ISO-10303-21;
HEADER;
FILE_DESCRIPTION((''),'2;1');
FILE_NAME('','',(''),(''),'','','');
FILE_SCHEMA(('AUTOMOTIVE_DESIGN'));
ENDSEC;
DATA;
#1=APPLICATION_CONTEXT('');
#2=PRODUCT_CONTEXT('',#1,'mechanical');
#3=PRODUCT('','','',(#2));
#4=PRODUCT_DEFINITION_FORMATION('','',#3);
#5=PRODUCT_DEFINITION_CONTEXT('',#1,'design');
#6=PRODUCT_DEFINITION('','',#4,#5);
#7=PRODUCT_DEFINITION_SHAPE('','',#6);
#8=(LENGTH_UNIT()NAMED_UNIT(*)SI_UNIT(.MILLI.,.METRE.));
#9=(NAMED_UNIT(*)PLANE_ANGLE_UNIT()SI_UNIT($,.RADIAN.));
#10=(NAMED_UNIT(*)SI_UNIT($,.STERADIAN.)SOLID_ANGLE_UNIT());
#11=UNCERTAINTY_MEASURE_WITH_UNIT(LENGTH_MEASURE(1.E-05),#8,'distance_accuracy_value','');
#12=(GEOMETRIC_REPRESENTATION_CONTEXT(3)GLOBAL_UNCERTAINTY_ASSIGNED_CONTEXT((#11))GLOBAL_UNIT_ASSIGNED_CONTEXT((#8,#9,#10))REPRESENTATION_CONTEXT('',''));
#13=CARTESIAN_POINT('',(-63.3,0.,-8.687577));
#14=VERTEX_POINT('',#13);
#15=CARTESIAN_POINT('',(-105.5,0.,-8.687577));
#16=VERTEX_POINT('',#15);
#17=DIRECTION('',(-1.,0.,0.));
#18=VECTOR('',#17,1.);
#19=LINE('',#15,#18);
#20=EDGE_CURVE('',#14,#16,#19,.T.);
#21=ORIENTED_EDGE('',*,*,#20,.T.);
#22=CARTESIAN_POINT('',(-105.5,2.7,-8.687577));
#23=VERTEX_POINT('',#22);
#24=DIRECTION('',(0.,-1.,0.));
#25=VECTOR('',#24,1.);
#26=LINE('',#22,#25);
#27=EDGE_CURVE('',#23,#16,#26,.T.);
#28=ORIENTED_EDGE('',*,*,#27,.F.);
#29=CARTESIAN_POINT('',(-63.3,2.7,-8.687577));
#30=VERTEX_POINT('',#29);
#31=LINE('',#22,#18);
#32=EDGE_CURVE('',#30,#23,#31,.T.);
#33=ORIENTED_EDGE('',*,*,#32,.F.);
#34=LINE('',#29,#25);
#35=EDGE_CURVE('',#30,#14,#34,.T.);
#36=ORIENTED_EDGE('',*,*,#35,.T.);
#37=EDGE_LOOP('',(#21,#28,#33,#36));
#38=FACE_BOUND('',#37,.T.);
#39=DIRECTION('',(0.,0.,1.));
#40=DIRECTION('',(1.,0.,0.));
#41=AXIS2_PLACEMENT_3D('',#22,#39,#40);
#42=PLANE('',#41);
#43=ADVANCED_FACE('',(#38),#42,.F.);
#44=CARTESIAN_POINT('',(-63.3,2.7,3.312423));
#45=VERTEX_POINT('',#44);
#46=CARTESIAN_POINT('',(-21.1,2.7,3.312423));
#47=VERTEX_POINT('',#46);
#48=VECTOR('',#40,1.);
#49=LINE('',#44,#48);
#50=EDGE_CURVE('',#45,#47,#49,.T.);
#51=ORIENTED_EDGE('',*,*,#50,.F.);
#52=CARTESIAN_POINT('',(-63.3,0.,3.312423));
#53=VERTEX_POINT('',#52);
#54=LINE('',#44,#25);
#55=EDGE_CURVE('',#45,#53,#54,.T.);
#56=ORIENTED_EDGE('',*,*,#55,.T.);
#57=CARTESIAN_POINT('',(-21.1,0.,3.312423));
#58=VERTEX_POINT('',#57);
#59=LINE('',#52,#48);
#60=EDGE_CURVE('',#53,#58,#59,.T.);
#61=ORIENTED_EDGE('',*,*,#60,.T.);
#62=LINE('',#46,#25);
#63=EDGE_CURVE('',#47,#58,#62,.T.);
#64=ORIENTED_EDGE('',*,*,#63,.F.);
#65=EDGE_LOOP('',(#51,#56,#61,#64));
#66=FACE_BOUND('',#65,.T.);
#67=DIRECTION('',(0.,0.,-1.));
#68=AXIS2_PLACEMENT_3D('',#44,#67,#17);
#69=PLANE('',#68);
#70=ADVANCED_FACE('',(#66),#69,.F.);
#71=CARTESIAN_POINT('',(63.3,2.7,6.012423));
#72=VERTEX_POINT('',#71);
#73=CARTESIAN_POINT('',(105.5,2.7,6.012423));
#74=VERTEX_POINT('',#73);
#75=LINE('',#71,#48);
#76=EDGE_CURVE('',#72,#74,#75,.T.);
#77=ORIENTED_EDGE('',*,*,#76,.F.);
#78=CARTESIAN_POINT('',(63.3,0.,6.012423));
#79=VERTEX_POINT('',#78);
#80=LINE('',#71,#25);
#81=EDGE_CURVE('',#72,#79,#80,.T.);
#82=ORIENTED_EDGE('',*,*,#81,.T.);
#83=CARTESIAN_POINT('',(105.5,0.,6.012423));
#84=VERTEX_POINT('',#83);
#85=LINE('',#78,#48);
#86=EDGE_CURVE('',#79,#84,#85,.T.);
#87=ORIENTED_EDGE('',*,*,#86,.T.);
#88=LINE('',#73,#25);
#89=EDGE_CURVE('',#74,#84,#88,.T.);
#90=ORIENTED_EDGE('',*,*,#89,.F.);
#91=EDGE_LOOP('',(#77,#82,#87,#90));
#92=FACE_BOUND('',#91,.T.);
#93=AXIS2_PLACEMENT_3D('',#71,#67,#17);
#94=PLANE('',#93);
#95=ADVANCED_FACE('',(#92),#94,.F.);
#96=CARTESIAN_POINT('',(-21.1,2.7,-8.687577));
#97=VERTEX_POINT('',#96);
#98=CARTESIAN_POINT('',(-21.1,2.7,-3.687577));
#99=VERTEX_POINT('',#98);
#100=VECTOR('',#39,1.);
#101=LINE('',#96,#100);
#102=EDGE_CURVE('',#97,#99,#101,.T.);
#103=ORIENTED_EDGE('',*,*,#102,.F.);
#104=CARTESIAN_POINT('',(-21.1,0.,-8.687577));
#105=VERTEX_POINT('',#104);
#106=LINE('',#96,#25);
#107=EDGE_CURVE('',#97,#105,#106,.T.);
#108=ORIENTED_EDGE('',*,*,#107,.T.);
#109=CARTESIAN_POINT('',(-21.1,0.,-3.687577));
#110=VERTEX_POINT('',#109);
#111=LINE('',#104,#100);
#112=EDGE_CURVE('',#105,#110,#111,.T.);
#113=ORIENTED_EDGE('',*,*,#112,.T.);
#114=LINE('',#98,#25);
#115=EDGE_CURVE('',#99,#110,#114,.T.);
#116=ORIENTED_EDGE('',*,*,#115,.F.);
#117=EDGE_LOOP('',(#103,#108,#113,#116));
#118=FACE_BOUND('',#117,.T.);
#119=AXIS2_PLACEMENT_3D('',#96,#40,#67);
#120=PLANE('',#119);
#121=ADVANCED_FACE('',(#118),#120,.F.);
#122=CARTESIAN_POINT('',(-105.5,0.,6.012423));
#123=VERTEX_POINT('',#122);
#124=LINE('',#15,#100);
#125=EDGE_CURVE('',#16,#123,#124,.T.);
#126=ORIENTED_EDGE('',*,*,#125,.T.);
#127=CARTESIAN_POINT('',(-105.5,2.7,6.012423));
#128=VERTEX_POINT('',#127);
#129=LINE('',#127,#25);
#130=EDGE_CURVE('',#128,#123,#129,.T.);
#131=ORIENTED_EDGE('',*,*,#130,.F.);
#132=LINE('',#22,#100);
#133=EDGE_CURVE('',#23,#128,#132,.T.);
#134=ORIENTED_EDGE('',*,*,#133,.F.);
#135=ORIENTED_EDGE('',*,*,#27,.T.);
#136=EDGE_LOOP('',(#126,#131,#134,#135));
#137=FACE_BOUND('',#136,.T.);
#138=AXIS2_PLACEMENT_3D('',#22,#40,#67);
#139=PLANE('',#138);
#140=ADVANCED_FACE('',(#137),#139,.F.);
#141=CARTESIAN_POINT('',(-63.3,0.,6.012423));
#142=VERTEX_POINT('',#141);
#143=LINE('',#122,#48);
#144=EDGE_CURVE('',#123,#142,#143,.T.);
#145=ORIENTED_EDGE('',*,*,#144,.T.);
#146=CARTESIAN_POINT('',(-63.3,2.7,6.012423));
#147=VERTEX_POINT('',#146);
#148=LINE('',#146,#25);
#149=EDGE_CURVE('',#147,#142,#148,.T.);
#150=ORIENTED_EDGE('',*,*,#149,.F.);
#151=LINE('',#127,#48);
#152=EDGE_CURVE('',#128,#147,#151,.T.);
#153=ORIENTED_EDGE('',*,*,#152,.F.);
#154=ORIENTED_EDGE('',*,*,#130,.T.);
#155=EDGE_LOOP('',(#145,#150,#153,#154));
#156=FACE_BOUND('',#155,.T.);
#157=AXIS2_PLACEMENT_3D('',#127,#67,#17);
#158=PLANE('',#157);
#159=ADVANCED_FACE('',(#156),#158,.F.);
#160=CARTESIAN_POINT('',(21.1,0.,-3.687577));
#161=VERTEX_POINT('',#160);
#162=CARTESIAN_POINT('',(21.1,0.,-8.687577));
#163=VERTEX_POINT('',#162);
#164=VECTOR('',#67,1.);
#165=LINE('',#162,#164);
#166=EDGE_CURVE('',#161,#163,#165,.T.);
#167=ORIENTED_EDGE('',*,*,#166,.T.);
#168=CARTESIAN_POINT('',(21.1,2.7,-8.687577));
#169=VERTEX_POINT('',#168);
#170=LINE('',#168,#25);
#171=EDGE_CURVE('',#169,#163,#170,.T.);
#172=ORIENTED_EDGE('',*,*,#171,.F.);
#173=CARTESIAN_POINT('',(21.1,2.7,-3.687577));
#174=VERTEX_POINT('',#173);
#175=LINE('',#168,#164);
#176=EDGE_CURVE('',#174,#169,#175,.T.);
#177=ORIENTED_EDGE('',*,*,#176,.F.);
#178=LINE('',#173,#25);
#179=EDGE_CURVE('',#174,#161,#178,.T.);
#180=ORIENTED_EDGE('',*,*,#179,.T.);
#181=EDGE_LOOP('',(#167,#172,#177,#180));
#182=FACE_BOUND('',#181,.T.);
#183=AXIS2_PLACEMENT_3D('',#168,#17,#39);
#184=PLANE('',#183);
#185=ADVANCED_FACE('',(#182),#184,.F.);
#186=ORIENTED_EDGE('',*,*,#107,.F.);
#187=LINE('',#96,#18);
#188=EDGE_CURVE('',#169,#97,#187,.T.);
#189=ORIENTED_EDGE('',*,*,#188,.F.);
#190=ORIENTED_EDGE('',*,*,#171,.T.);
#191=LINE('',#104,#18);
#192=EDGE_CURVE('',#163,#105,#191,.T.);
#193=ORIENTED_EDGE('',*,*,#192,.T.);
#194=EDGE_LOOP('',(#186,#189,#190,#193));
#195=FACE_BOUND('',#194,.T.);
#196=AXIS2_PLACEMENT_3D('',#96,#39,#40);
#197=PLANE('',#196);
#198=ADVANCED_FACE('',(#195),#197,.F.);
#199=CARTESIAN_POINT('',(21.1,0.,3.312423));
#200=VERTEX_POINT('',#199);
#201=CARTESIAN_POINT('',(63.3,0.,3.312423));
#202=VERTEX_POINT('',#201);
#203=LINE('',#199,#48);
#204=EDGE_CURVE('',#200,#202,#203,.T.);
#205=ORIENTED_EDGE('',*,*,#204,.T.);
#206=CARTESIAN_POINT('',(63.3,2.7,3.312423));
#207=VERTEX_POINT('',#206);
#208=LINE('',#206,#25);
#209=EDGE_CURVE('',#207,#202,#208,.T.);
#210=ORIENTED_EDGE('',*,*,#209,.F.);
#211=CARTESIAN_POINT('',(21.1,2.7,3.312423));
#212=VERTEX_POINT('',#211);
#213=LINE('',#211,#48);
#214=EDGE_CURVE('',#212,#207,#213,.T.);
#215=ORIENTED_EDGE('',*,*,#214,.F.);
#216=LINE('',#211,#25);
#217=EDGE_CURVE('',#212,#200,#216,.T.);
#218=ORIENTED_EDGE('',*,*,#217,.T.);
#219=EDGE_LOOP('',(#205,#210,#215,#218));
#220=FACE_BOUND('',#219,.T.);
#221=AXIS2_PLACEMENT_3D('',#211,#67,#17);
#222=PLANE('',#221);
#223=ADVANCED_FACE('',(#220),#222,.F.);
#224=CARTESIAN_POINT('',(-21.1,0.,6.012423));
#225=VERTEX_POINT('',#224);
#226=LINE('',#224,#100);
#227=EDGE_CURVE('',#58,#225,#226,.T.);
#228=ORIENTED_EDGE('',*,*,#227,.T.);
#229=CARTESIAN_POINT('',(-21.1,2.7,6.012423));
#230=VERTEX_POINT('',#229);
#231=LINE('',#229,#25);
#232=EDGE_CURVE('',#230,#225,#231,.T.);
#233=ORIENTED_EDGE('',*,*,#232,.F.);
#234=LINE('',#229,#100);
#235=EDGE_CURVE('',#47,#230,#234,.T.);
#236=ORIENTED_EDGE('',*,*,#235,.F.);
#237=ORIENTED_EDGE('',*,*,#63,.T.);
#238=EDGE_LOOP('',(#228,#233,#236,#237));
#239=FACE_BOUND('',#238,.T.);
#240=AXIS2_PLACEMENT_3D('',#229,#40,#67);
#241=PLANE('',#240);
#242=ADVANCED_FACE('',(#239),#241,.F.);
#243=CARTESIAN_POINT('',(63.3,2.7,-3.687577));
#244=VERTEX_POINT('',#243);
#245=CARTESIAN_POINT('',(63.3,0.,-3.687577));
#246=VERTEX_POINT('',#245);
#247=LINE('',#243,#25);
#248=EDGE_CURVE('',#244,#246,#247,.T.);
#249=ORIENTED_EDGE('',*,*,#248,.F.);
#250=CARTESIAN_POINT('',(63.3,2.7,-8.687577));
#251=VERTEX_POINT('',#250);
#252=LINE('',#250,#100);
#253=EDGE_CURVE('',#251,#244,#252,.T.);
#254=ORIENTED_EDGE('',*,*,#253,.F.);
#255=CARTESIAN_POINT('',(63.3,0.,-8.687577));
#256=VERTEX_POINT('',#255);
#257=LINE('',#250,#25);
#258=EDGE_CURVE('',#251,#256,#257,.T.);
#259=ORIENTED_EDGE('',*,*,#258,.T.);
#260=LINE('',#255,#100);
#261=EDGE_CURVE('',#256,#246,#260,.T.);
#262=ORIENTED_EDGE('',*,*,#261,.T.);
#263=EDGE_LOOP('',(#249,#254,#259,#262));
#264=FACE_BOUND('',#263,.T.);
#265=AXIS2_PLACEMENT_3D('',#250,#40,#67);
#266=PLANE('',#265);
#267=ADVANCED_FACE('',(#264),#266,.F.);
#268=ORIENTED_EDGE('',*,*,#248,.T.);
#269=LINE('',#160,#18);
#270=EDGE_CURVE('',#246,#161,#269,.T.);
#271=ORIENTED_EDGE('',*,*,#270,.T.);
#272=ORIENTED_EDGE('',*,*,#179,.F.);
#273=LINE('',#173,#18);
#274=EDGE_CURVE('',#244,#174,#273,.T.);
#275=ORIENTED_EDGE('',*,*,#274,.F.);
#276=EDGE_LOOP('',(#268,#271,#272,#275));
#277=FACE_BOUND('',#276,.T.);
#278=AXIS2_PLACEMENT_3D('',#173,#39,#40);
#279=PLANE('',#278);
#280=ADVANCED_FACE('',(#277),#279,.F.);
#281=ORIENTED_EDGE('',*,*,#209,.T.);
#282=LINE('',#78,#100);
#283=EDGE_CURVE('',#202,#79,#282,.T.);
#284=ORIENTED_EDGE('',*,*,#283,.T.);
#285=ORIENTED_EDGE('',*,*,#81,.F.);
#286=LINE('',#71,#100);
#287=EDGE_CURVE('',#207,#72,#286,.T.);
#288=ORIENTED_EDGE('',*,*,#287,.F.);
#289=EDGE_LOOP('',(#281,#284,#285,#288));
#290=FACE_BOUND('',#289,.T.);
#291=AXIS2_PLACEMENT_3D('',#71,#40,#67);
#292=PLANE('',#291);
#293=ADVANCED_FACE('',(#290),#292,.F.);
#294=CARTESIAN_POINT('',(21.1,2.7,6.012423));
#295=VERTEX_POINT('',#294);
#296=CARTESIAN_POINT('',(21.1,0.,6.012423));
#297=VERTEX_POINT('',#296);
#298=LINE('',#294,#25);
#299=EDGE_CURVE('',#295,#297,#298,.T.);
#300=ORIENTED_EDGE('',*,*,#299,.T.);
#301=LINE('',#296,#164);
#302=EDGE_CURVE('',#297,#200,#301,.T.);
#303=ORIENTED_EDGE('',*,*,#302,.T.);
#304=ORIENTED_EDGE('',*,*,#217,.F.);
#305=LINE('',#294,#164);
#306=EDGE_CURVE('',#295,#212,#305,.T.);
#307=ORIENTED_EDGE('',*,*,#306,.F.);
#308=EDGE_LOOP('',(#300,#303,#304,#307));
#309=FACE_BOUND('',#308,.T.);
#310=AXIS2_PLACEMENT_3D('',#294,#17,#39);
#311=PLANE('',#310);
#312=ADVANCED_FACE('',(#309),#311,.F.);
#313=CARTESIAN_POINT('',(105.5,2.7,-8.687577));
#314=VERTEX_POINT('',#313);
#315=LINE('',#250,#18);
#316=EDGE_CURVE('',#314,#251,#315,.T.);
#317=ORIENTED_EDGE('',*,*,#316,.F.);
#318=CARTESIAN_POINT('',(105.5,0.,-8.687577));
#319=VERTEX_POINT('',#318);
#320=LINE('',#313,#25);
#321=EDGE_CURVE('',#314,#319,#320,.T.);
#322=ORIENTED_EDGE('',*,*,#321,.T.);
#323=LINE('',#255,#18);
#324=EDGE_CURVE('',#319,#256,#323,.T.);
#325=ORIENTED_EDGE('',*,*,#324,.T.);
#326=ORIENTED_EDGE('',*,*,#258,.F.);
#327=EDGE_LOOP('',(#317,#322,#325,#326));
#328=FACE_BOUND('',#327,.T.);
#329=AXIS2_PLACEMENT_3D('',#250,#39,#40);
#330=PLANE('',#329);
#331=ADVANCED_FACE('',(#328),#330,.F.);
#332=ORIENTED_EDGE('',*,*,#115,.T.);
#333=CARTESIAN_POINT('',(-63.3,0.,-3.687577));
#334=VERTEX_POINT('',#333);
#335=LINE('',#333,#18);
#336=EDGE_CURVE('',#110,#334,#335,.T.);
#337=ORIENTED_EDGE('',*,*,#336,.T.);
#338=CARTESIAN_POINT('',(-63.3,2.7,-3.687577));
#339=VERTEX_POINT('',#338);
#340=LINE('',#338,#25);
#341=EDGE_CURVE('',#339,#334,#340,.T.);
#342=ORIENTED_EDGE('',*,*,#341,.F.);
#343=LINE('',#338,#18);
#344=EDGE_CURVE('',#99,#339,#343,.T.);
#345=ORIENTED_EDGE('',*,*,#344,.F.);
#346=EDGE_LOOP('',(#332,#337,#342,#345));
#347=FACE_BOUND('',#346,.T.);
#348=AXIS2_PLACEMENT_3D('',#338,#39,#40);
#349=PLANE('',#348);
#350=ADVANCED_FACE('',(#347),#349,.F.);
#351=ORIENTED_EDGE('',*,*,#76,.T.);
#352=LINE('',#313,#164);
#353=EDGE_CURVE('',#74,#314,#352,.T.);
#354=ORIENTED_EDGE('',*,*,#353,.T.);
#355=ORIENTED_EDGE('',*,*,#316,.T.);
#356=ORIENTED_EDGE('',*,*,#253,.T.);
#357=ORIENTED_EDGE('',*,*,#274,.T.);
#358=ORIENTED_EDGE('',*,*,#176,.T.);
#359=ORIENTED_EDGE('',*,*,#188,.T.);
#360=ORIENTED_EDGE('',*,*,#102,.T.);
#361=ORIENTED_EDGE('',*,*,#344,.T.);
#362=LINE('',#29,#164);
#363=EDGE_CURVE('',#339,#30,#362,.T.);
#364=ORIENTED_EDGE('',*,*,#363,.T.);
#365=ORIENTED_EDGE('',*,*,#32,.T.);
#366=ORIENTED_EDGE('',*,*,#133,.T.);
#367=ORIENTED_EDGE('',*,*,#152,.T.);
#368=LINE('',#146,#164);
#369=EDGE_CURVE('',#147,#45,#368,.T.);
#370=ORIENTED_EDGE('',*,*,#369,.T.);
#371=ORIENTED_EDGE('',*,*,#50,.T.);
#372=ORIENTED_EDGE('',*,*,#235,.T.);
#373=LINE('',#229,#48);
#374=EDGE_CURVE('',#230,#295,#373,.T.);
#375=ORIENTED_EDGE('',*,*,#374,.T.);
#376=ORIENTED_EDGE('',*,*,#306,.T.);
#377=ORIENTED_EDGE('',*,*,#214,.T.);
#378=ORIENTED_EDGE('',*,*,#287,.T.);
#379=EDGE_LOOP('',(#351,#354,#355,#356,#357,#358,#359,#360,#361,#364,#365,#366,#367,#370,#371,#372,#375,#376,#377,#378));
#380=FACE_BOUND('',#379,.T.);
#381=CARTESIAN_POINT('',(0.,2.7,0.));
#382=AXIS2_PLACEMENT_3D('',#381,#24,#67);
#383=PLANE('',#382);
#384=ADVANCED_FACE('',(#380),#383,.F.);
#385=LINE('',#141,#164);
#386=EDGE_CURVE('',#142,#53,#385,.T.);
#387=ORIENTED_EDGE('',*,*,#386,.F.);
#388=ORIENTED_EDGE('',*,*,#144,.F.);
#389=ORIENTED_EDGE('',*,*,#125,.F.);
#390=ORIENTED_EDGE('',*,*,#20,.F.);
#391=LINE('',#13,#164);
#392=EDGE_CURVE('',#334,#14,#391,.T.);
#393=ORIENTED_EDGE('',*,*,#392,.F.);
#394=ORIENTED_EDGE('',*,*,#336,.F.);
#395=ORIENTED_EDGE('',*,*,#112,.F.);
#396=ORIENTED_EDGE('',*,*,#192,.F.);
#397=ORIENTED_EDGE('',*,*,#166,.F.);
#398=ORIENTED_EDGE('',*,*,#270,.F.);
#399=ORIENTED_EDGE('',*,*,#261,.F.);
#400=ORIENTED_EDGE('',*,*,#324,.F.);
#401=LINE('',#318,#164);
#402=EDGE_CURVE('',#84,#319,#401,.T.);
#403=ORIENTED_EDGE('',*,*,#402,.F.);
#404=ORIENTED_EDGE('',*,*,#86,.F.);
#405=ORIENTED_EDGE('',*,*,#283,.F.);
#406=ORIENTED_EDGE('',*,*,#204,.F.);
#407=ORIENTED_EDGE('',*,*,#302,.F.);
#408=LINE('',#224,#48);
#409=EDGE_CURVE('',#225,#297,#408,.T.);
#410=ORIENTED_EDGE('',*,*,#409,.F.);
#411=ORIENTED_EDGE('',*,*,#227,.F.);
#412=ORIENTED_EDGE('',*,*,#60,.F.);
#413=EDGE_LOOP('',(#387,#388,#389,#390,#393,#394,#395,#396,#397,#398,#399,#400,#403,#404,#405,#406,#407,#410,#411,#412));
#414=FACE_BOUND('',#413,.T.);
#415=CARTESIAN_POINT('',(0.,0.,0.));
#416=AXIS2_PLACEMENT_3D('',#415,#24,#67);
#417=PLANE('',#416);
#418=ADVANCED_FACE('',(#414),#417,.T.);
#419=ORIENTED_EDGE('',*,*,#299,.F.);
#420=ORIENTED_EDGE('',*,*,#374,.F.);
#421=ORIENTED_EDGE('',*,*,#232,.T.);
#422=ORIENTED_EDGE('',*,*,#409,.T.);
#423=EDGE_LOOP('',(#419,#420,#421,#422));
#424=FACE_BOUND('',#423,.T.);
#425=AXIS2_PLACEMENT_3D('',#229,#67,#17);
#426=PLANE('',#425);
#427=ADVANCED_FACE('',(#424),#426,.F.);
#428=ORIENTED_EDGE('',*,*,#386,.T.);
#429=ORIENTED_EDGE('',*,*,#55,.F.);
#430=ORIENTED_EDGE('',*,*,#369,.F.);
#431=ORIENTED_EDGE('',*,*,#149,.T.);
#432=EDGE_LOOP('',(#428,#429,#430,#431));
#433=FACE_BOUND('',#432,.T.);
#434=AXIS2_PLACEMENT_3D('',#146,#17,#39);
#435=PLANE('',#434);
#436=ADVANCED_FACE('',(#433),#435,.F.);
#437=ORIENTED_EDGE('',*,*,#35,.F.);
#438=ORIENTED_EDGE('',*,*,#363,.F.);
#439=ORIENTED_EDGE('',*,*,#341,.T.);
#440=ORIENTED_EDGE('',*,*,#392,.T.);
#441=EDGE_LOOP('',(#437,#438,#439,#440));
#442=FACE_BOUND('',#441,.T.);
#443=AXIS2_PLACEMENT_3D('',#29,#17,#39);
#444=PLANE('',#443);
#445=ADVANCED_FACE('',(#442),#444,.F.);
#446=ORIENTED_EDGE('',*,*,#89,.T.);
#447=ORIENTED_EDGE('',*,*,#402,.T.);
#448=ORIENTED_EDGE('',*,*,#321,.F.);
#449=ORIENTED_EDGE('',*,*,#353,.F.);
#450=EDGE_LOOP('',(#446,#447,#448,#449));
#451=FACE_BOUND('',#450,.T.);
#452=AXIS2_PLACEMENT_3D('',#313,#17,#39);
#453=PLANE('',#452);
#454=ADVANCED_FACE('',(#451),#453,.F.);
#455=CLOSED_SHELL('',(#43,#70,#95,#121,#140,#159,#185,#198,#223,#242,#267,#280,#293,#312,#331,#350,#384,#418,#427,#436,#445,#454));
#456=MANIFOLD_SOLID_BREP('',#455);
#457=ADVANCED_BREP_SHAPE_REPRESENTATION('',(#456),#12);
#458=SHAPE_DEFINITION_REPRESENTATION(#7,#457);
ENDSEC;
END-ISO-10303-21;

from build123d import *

# Parameters (mm, degrees)
BOSS_EXTRUDE1_DEPTH = 2.7


with BuildPart() as part:
    # Sketch1 → Boss-Extrude1 (new body)
    with BuildSketch(Plane(origin=(0, 0, 0), x_dir=(1, 0, 0), z_dir=(0, 1, 0))):
        Polygon((-63.3, 3.6875768), (-21.1, 3.6875768), (-21.1, 8.6875768), (21.1, 8.6875768), (21.1, 3.6875768), (63.3, 3.6875768), (63.3, 8.6875768), (105.5, 8.6875768), (105.5, -6.0124232), (63.3, -6.0124232), (63.3, -3.3124232), (21.1, -3.3124232), (21.1, -6.0124232), (-21.1, -6.0124232), (-21.1, -3.3124232), (-63.3, -3.3124232), (-63.3, -6.0124232), (-105.5, -6.0124232), (-105.5, 8.6875768), (-63.3, 8.6875768), align=None)
    extrude(amount=BOSS_EXTRUDE1_DEPTH)


solid = part.part
